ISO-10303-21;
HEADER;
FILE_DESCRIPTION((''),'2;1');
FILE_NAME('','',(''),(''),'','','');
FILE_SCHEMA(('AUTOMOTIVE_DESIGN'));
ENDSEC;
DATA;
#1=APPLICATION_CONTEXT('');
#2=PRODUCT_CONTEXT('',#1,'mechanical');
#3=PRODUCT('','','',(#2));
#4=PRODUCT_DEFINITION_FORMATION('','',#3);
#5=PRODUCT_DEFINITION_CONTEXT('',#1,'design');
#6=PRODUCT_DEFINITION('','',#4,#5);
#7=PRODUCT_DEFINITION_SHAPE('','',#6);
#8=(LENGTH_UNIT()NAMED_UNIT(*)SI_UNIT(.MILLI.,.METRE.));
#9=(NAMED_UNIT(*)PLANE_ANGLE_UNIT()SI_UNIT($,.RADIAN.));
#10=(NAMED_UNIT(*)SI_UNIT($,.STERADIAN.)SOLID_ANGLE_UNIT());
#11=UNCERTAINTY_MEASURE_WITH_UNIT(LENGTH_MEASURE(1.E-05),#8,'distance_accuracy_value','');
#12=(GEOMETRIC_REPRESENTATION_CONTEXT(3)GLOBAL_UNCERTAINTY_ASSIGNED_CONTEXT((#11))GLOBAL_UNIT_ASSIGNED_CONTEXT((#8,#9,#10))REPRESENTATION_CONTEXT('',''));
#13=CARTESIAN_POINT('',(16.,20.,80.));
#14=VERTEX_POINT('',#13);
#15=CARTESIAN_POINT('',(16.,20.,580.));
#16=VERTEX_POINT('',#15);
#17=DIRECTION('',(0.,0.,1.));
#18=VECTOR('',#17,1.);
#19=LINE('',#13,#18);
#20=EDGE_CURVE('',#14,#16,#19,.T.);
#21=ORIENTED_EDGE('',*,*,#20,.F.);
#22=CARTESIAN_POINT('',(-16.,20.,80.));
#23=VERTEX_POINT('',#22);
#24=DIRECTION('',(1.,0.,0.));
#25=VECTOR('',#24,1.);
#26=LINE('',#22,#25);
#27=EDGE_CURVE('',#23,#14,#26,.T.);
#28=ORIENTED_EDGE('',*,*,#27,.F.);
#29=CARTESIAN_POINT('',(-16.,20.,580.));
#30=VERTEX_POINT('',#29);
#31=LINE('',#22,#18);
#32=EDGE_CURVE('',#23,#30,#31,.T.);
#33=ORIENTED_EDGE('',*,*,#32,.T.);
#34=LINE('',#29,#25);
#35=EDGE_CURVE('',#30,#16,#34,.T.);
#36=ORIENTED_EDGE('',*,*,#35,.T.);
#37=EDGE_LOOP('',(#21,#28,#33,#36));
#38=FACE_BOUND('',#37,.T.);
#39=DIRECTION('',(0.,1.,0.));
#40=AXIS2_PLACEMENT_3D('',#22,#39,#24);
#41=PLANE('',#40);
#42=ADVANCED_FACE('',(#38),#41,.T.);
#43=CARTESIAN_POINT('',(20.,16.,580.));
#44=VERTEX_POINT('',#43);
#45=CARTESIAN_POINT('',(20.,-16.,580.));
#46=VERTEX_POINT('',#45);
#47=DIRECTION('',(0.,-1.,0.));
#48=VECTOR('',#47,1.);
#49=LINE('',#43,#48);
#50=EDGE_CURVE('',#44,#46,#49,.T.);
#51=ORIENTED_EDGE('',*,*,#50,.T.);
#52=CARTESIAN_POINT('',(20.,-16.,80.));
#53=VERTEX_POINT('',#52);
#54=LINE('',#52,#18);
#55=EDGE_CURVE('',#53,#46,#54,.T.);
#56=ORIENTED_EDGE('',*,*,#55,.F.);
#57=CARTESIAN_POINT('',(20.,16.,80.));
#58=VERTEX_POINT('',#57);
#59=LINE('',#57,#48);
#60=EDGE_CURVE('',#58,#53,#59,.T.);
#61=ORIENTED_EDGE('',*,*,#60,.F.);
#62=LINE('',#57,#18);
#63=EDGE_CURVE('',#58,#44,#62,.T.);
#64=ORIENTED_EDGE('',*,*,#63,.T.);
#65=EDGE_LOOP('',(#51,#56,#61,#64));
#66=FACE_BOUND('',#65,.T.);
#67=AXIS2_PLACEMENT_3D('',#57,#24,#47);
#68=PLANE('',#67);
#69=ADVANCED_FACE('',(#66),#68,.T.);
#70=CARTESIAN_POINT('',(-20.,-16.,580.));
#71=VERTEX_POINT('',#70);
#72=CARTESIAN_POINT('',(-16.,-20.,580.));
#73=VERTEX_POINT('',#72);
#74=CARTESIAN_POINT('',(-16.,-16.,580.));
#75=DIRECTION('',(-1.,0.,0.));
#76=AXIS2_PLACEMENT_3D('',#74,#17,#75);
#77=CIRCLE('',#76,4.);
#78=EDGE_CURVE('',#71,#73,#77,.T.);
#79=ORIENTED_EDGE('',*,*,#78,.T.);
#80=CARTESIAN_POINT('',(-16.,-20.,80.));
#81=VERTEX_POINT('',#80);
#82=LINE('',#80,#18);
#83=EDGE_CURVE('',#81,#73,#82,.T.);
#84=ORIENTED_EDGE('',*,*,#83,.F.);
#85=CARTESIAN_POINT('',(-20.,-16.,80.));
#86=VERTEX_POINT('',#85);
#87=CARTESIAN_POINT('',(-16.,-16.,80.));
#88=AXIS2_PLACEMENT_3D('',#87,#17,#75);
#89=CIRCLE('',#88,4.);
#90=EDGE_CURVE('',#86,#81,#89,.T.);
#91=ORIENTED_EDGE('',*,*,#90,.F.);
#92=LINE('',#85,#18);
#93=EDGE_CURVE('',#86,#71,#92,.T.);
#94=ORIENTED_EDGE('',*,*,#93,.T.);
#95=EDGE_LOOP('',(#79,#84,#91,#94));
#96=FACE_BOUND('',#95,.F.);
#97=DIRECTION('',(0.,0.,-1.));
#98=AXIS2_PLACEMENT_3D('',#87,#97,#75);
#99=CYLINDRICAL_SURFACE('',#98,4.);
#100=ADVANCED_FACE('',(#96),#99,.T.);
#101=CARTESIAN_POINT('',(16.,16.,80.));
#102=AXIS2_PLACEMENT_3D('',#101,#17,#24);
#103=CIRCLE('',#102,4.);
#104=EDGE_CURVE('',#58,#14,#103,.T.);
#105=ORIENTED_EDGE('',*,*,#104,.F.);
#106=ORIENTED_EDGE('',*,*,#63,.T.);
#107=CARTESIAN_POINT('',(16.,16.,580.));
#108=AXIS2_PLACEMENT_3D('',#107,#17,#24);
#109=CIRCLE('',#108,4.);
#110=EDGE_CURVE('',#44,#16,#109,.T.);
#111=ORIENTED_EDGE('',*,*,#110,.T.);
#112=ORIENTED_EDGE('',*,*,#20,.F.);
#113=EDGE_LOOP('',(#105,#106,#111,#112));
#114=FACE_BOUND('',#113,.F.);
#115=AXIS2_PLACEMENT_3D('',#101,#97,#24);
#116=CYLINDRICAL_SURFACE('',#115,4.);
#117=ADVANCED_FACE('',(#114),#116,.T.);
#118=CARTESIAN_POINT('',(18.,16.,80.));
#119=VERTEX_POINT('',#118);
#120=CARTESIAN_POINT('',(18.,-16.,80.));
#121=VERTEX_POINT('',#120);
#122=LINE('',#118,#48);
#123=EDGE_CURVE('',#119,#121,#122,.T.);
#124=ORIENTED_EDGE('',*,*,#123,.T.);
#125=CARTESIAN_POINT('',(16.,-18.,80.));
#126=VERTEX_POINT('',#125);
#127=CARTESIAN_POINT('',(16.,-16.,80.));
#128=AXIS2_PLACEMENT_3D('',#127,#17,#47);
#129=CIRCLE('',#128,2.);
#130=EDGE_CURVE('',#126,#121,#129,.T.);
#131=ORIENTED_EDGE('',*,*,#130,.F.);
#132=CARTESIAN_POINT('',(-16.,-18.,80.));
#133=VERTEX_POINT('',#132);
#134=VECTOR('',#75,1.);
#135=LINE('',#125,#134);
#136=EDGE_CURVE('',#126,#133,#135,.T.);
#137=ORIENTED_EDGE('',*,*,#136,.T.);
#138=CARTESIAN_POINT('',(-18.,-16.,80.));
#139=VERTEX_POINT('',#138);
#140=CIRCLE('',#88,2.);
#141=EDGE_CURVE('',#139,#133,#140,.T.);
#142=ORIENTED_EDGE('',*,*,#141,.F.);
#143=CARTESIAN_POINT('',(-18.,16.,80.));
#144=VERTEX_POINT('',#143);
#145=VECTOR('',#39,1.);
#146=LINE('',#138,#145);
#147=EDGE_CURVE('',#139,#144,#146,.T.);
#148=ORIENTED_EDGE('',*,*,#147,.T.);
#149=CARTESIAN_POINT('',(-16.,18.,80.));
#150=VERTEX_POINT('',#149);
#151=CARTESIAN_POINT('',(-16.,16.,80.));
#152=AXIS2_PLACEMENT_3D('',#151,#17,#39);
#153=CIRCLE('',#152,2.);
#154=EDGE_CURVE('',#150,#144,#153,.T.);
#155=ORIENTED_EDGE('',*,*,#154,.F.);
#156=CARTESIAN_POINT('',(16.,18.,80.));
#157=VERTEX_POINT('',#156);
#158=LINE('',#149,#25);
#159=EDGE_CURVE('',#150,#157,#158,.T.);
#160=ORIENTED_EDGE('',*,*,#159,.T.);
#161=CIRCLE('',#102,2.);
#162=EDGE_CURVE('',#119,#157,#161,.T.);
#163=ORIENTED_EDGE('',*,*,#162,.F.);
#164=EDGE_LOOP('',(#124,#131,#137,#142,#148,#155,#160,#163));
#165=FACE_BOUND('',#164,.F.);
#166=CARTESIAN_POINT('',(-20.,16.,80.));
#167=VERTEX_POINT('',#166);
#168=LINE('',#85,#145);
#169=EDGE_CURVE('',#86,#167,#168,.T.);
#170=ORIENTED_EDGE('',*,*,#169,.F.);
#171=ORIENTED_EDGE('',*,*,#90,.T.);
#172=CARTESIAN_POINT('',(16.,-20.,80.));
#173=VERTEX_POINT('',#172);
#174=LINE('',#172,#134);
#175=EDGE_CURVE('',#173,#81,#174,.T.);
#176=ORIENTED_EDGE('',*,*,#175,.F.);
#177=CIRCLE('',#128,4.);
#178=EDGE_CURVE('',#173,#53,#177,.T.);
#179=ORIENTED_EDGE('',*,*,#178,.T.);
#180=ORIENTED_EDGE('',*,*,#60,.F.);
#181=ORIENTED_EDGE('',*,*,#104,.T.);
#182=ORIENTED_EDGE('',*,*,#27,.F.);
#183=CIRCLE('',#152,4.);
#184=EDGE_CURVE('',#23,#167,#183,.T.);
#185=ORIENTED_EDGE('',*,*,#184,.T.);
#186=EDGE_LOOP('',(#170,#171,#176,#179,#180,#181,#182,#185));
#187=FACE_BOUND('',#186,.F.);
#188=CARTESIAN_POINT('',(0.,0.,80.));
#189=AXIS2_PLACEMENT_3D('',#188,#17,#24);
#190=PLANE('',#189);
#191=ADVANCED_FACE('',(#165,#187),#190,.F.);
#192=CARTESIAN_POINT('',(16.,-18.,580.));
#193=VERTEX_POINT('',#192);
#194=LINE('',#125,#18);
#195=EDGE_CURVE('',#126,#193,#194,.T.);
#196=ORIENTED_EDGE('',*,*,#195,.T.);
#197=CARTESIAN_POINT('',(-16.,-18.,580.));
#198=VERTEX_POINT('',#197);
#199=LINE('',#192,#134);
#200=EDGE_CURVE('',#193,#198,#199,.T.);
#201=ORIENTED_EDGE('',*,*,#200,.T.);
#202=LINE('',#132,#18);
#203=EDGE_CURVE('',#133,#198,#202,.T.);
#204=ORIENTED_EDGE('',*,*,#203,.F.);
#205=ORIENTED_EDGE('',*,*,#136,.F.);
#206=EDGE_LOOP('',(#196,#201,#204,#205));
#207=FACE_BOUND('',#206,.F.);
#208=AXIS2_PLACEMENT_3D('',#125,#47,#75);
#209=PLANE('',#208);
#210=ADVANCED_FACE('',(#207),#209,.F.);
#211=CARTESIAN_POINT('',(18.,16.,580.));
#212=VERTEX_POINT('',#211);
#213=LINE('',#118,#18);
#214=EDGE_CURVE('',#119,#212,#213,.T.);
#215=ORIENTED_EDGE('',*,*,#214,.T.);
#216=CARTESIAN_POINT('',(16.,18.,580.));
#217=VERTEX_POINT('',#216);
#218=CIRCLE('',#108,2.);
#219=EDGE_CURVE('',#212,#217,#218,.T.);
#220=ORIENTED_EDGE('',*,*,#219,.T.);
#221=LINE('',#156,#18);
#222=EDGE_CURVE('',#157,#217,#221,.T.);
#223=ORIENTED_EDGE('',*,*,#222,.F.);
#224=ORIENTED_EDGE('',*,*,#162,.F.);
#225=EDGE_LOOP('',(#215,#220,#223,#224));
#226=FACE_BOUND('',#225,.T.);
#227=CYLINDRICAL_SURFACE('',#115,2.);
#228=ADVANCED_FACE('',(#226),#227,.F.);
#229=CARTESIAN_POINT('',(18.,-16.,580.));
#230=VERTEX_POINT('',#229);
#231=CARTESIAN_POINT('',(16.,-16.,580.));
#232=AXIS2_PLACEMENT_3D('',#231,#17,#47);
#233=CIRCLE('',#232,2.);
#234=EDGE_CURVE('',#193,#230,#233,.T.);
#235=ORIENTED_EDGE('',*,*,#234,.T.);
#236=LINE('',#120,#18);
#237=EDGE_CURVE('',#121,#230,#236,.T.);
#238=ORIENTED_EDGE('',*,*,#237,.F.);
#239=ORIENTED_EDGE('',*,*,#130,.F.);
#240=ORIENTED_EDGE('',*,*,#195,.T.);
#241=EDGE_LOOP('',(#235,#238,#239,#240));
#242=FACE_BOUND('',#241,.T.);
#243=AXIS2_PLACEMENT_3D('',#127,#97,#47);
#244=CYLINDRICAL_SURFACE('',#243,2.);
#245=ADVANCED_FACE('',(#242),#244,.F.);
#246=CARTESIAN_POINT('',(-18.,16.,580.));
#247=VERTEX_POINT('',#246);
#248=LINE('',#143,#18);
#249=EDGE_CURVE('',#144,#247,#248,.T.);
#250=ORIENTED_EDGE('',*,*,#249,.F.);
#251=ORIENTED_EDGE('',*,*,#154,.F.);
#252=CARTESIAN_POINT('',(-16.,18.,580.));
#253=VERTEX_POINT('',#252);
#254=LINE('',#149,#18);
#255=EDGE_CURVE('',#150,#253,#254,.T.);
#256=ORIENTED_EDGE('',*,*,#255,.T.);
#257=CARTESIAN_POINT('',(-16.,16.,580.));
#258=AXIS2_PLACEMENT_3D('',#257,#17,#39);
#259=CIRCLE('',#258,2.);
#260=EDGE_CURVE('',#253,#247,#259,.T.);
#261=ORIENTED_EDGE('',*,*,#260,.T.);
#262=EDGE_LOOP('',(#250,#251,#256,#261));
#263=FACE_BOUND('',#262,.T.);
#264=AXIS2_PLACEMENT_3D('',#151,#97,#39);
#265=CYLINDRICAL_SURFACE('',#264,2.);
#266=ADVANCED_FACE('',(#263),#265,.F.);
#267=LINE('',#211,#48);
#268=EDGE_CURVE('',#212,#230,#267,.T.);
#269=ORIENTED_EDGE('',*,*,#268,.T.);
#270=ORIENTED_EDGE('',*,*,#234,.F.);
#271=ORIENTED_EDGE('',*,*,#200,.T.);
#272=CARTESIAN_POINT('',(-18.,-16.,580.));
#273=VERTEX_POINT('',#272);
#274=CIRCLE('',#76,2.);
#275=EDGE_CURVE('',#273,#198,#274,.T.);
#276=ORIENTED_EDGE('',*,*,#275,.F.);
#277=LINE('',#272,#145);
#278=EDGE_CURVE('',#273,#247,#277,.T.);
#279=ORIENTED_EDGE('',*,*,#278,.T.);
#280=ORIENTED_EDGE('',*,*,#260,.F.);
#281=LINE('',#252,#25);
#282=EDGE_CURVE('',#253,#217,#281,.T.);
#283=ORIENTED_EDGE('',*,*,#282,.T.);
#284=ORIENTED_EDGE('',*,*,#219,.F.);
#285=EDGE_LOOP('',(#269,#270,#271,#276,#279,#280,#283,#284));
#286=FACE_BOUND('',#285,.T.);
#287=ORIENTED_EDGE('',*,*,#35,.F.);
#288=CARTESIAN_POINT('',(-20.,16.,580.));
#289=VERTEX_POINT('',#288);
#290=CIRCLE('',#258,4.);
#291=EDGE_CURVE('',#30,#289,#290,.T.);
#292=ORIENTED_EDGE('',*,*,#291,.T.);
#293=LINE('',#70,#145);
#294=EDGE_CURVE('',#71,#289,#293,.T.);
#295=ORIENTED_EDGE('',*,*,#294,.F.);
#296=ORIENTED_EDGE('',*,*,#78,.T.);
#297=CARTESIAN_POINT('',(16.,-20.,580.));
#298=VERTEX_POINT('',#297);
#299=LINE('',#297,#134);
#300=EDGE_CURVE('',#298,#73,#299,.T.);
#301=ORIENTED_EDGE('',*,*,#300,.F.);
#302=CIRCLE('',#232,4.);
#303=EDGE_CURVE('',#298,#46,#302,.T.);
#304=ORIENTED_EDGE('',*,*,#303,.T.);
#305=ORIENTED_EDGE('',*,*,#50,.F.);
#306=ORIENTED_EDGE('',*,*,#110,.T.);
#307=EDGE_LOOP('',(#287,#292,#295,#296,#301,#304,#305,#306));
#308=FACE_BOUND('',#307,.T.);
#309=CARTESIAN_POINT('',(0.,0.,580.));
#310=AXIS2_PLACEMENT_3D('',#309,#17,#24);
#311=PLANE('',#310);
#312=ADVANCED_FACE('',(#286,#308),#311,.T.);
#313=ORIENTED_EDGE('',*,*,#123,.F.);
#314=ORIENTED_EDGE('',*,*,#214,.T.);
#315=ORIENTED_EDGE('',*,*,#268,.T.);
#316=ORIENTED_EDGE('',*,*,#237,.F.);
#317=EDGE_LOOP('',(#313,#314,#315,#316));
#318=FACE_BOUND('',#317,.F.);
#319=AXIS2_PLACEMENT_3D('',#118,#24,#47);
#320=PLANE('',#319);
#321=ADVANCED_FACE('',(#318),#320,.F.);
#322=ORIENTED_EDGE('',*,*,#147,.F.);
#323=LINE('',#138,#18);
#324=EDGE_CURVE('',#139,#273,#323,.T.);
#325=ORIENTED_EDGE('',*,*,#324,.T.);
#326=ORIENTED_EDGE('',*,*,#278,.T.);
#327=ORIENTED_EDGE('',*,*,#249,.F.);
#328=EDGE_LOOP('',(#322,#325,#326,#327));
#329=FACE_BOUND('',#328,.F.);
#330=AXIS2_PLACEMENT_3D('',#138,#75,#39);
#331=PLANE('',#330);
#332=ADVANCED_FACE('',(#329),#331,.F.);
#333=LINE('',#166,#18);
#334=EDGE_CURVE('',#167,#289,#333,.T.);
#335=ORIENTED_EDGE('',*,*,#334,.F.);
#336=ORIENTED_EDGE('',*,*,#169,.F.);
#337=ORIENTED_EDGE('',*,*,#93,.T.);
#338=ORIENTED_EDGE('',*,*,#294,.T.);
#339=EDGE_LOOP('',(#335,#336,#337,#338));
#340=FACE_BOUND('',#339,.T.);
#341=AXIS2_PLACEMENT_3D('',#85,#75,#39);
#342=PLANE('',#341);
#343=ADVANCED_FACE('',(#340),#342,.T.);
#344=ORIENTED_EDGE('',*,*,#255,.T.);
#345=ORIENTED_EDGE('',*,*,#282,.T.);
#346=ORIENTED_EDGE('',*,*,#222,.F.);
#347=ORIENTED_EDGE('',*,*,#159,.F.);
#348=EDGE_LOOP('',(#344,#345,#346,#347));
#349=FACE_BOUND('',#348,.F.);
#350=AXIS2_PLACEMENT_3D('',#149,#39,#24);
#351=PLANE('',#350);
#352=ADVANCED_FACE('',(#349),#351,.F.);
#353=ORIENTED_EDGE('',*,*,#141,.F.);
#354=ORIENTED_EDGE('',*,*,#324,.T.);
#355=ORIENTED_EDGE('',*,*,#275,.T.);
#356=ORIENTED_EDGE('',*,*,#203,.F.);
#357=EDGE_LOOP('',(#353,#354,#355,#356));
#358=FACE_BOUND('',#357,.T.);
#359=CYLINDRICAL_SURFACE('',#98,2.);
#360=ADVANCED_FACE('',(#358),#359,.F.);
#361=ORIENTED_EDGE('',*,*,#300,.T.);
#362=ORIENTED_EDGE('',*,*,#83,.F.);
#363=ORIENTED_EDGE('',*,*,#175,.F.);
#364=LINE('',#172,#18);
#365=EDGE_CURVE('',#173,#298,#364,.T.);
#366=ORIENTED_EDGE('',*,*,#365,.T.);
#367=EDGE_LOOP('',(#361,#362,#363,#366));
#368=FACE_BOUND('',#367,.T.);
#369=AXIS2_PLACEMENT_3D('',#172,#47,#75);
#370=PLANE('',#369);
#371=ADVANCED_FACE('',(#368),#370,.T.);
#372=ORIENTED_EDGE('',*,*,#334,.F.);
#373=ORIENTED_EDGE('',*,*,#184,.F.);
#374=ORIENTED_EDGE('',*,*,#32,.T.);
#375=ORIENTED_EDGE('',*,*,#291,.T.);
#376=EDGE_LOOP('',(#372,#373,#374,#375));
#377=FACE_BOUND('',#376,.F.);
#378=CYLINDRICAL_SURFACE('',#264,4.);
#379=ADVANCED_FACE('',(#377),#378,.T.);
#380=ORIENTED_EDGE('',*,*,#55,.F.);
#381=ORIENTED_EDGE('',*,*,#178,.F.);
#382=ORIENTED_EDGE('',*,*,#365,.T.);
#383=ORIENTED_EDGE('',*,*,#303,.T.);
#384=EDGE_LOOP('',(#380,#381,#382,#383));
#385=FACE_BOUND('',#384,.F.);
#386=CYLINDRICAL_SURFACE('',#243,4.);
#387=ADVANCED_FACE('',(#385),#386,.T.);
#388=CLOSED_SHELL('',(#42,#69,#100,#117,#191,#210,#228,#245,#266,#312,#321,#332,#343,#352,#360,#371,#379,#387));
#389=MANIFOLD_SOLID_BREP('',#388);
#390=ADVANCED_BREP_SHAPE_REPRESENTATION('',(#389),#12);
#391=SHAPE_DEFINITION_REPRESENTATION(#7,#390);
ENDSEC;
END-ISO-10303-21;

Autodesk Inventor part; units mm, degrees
ref_plane "YZ Plane" through (0, 0, 0) normal (1, 0, 0) x (0, 1, 0)
ref_plane "Start Plane" through (0, 0, 80) normal (0, 0, 1) x (1, 0, 0)
ref_plane "End Plane" through (0, 0, 580) normal (0, 0, 1) x (1, 0, 0)
sketch "Sketch" plane through (0, 0, 0) normal (0, 0, 1) x (1, 0, 0)
  line L0 (-20, -16) -> (-20, 16)
  line L1 (-16, 20) -> (16, 20)
  line L2 (20, 16) -> (20, -16)
  line L3 (16, -20) -> (-16, -20)
  arc A0 (-20, -16) -> (-16, -20) centre (-16, -16) ccw
  arc A1 (20, 16) -> (16, 20) centre (16, 16) ccw
  arc A2 (-16, 20) -> (-20, 16) centre (-16, 16) ccw
  arc A3 (16, -20) -> (20, -16) centre (16, -16) ccw
  arc A4 (-16, 18) -> (-18, 16) centre (-16, 16) ccw
  line L4 (-16, 18) -> (16, 18)
  arc A5 (18, 16) -> (16, 18) centre (16, 16) ccw
  line L5 (18, 16) -> (18, -16)
  arc A6 (16, -18) -> (18, -16) centre (16, -16) ccw
  line L6 (16, -18) -> (-16, -18)
  arc A7 (-18, -16) -> (-16, -18) centre (-16, -16) ccw
  line L7 (-18, -16) -> (-18, 16)
  line L8 (0, 29.1598) -> (0, -29.1598) construction
  line L9 (-29.1598, 0) -> (29.1598, 0) construction
  dimension "d7" = 4
  dimension "d9" = 40
  dimension "d11" = 40
  dimension "d12" = 2
  dimension "d15" = 20
  dimension "d16" = 20
extrude "Body" add sketch "Sketch" along normal up to surface (500 mm away) from surface at 80
sketch "Sketch3" plane through (0, 0, 0) normal (0, 0, 1) x (1, 0, 0)
  line L0 (0, 0) -> (10, 0)
ref_plane "Work Plane3" through (0, 0, 0) normal (0, -1, 0) x (1, 0, 0)
sketch "Sketch4" plane through (0, 0, 0) normal (0, -1, 0) x (1, 0, 0)
  line L0 (-2, 80) -> (12, 80) projected
  line L1 (-2, 580) -> (12, 580) projected
  dimension "d18" = 500
equation "\"d7\" = G_IR"
equation "\"d9\" = G_W"
equation "\"d11\" = G_H"
equation "\"d12\" = G_T"
equation "\"d15\" = 0.5 * d9"
equation "\"d16\" = 0.5 * d11"
equation "\"d3\" = G_L"
equation "\"G_W\" = 40"
equation "\"G_H\" = 40"
equation "\"G_T\" = 2"
equation "\"G_IR\" = 4"
equation "\"G_L\" = d18"
properties part number "ISO 10799-2 - 40x40x2 - 500" material "Steel, Mild"
